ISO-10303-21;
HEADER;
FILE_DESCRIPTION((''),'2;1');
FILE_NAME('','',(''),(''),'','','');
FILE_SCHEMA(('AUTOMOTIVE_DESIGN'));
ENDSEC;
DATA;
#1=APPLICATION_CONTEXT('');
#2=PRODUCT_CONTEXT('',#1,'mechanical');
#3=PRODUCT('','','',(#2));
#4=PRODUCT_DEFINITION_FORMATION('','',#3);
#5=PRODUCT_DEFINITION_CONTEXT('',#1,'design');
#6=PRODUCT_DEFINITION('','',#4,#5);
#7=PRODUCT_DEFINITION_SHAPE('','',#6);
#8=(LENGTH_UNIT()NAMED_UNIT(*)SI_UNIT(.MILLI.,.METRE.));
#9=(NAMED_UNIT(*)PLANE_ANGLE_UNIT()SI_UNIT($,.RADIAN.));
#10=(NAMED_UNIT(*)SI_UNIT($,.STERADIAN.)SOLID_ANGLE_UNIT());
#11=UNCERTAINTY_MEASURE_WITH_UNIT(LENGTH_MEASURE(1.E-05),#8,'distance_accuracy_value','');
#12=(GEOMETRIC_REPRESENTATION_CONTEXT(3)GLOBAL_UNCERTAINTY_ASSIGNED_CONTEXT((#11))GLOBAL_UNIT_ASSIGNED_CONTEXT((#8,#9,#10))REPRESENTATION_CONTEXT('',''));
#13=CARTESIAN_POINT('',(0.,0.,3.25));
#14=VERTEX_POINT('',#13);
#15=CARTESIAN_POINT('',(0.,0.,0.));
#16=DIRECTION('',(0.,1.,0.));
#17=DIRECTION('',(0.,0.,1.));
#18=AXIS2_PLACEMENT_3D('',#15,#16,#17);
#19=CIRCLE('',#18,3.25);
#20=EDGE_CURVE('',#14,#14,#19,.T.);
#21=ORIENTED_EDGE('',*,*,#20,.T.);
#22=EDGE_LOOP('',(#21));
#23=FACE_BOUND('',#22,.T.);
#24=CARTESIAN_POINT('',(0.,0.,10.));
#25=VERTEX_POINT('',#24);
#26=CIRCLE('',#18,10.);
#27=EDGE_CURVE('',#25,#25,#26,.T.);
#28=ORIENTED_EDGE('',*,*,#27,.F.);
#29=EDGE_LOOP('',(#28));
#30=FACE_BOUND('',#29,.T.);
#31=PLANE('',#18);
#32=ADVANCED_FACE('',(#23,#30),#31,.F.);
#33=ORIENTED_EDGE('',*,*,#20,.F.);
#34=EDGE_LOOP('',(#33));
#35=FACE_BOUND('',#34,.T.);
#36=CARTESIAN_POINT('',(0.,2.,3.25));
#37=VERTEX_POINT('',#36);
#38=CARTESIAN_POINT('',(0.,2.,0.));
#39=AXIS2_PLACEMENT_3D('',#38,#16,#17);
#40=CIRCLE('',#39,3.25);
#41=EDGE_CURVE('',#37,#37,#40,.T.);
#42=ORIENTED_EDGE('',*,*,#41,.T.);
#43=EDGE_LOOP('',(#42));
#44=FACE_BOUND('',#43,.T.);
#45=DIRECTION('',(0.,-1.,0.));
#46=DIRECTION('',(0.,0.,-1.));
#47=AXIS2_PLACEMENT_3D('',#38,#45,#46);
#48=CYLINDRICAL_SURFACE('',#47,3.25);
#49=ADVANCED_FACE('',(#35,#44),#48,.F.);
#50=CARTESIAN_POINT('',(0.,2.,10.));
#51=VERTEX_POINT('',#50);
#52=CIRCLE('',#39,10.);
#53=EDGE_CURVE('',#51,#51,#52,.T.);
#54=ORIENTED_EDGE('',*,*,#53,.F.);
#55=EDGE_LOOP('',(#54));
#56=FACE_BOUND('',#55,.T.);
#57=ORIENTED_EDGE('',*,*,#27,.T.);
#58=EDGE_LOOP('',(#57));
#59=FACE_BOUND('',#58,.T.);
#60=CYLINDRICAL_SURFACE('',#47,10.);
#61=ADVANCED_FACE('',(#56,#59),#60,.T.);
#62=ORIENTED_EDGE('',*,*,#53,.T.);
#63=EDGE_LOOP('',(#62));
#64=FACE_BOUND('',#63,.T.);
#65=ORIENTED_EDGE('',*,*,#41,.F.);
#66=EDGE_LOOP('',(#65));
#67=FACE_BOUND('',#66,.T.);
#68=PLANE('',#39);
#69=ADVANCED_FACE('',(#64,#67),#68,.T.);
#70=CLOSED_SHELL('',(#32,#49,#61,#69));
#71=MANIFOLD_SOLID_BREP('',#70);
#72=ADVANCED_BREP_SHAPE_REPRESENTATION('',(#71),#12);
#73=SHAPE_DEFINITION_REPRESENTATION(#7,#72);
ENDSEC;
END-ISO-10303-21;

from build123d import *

# Parameters (mm, degrees)
ESQUISSE1_R        = 10
ESQUISSE1_R_2      = 3.25
BOSS_EXTRU_1_DEPTH = 2


with BuildPart() as part:
    # Esquisse1 → Boss.-Extru.1 (new body)
    with BuildSketch(Plane(origin=(0, 0, 0), x_dir=(1, 0, 0), z_dir=(0, 1, 0))):
        Circle(ESQUISSE1_R)
        Circle(ESQUISSE1_R_2, mode=Mode.SUBTRACT)
    extrude(amount=BOSS_EXTRU_1_DEPTH)


solid = part.part
